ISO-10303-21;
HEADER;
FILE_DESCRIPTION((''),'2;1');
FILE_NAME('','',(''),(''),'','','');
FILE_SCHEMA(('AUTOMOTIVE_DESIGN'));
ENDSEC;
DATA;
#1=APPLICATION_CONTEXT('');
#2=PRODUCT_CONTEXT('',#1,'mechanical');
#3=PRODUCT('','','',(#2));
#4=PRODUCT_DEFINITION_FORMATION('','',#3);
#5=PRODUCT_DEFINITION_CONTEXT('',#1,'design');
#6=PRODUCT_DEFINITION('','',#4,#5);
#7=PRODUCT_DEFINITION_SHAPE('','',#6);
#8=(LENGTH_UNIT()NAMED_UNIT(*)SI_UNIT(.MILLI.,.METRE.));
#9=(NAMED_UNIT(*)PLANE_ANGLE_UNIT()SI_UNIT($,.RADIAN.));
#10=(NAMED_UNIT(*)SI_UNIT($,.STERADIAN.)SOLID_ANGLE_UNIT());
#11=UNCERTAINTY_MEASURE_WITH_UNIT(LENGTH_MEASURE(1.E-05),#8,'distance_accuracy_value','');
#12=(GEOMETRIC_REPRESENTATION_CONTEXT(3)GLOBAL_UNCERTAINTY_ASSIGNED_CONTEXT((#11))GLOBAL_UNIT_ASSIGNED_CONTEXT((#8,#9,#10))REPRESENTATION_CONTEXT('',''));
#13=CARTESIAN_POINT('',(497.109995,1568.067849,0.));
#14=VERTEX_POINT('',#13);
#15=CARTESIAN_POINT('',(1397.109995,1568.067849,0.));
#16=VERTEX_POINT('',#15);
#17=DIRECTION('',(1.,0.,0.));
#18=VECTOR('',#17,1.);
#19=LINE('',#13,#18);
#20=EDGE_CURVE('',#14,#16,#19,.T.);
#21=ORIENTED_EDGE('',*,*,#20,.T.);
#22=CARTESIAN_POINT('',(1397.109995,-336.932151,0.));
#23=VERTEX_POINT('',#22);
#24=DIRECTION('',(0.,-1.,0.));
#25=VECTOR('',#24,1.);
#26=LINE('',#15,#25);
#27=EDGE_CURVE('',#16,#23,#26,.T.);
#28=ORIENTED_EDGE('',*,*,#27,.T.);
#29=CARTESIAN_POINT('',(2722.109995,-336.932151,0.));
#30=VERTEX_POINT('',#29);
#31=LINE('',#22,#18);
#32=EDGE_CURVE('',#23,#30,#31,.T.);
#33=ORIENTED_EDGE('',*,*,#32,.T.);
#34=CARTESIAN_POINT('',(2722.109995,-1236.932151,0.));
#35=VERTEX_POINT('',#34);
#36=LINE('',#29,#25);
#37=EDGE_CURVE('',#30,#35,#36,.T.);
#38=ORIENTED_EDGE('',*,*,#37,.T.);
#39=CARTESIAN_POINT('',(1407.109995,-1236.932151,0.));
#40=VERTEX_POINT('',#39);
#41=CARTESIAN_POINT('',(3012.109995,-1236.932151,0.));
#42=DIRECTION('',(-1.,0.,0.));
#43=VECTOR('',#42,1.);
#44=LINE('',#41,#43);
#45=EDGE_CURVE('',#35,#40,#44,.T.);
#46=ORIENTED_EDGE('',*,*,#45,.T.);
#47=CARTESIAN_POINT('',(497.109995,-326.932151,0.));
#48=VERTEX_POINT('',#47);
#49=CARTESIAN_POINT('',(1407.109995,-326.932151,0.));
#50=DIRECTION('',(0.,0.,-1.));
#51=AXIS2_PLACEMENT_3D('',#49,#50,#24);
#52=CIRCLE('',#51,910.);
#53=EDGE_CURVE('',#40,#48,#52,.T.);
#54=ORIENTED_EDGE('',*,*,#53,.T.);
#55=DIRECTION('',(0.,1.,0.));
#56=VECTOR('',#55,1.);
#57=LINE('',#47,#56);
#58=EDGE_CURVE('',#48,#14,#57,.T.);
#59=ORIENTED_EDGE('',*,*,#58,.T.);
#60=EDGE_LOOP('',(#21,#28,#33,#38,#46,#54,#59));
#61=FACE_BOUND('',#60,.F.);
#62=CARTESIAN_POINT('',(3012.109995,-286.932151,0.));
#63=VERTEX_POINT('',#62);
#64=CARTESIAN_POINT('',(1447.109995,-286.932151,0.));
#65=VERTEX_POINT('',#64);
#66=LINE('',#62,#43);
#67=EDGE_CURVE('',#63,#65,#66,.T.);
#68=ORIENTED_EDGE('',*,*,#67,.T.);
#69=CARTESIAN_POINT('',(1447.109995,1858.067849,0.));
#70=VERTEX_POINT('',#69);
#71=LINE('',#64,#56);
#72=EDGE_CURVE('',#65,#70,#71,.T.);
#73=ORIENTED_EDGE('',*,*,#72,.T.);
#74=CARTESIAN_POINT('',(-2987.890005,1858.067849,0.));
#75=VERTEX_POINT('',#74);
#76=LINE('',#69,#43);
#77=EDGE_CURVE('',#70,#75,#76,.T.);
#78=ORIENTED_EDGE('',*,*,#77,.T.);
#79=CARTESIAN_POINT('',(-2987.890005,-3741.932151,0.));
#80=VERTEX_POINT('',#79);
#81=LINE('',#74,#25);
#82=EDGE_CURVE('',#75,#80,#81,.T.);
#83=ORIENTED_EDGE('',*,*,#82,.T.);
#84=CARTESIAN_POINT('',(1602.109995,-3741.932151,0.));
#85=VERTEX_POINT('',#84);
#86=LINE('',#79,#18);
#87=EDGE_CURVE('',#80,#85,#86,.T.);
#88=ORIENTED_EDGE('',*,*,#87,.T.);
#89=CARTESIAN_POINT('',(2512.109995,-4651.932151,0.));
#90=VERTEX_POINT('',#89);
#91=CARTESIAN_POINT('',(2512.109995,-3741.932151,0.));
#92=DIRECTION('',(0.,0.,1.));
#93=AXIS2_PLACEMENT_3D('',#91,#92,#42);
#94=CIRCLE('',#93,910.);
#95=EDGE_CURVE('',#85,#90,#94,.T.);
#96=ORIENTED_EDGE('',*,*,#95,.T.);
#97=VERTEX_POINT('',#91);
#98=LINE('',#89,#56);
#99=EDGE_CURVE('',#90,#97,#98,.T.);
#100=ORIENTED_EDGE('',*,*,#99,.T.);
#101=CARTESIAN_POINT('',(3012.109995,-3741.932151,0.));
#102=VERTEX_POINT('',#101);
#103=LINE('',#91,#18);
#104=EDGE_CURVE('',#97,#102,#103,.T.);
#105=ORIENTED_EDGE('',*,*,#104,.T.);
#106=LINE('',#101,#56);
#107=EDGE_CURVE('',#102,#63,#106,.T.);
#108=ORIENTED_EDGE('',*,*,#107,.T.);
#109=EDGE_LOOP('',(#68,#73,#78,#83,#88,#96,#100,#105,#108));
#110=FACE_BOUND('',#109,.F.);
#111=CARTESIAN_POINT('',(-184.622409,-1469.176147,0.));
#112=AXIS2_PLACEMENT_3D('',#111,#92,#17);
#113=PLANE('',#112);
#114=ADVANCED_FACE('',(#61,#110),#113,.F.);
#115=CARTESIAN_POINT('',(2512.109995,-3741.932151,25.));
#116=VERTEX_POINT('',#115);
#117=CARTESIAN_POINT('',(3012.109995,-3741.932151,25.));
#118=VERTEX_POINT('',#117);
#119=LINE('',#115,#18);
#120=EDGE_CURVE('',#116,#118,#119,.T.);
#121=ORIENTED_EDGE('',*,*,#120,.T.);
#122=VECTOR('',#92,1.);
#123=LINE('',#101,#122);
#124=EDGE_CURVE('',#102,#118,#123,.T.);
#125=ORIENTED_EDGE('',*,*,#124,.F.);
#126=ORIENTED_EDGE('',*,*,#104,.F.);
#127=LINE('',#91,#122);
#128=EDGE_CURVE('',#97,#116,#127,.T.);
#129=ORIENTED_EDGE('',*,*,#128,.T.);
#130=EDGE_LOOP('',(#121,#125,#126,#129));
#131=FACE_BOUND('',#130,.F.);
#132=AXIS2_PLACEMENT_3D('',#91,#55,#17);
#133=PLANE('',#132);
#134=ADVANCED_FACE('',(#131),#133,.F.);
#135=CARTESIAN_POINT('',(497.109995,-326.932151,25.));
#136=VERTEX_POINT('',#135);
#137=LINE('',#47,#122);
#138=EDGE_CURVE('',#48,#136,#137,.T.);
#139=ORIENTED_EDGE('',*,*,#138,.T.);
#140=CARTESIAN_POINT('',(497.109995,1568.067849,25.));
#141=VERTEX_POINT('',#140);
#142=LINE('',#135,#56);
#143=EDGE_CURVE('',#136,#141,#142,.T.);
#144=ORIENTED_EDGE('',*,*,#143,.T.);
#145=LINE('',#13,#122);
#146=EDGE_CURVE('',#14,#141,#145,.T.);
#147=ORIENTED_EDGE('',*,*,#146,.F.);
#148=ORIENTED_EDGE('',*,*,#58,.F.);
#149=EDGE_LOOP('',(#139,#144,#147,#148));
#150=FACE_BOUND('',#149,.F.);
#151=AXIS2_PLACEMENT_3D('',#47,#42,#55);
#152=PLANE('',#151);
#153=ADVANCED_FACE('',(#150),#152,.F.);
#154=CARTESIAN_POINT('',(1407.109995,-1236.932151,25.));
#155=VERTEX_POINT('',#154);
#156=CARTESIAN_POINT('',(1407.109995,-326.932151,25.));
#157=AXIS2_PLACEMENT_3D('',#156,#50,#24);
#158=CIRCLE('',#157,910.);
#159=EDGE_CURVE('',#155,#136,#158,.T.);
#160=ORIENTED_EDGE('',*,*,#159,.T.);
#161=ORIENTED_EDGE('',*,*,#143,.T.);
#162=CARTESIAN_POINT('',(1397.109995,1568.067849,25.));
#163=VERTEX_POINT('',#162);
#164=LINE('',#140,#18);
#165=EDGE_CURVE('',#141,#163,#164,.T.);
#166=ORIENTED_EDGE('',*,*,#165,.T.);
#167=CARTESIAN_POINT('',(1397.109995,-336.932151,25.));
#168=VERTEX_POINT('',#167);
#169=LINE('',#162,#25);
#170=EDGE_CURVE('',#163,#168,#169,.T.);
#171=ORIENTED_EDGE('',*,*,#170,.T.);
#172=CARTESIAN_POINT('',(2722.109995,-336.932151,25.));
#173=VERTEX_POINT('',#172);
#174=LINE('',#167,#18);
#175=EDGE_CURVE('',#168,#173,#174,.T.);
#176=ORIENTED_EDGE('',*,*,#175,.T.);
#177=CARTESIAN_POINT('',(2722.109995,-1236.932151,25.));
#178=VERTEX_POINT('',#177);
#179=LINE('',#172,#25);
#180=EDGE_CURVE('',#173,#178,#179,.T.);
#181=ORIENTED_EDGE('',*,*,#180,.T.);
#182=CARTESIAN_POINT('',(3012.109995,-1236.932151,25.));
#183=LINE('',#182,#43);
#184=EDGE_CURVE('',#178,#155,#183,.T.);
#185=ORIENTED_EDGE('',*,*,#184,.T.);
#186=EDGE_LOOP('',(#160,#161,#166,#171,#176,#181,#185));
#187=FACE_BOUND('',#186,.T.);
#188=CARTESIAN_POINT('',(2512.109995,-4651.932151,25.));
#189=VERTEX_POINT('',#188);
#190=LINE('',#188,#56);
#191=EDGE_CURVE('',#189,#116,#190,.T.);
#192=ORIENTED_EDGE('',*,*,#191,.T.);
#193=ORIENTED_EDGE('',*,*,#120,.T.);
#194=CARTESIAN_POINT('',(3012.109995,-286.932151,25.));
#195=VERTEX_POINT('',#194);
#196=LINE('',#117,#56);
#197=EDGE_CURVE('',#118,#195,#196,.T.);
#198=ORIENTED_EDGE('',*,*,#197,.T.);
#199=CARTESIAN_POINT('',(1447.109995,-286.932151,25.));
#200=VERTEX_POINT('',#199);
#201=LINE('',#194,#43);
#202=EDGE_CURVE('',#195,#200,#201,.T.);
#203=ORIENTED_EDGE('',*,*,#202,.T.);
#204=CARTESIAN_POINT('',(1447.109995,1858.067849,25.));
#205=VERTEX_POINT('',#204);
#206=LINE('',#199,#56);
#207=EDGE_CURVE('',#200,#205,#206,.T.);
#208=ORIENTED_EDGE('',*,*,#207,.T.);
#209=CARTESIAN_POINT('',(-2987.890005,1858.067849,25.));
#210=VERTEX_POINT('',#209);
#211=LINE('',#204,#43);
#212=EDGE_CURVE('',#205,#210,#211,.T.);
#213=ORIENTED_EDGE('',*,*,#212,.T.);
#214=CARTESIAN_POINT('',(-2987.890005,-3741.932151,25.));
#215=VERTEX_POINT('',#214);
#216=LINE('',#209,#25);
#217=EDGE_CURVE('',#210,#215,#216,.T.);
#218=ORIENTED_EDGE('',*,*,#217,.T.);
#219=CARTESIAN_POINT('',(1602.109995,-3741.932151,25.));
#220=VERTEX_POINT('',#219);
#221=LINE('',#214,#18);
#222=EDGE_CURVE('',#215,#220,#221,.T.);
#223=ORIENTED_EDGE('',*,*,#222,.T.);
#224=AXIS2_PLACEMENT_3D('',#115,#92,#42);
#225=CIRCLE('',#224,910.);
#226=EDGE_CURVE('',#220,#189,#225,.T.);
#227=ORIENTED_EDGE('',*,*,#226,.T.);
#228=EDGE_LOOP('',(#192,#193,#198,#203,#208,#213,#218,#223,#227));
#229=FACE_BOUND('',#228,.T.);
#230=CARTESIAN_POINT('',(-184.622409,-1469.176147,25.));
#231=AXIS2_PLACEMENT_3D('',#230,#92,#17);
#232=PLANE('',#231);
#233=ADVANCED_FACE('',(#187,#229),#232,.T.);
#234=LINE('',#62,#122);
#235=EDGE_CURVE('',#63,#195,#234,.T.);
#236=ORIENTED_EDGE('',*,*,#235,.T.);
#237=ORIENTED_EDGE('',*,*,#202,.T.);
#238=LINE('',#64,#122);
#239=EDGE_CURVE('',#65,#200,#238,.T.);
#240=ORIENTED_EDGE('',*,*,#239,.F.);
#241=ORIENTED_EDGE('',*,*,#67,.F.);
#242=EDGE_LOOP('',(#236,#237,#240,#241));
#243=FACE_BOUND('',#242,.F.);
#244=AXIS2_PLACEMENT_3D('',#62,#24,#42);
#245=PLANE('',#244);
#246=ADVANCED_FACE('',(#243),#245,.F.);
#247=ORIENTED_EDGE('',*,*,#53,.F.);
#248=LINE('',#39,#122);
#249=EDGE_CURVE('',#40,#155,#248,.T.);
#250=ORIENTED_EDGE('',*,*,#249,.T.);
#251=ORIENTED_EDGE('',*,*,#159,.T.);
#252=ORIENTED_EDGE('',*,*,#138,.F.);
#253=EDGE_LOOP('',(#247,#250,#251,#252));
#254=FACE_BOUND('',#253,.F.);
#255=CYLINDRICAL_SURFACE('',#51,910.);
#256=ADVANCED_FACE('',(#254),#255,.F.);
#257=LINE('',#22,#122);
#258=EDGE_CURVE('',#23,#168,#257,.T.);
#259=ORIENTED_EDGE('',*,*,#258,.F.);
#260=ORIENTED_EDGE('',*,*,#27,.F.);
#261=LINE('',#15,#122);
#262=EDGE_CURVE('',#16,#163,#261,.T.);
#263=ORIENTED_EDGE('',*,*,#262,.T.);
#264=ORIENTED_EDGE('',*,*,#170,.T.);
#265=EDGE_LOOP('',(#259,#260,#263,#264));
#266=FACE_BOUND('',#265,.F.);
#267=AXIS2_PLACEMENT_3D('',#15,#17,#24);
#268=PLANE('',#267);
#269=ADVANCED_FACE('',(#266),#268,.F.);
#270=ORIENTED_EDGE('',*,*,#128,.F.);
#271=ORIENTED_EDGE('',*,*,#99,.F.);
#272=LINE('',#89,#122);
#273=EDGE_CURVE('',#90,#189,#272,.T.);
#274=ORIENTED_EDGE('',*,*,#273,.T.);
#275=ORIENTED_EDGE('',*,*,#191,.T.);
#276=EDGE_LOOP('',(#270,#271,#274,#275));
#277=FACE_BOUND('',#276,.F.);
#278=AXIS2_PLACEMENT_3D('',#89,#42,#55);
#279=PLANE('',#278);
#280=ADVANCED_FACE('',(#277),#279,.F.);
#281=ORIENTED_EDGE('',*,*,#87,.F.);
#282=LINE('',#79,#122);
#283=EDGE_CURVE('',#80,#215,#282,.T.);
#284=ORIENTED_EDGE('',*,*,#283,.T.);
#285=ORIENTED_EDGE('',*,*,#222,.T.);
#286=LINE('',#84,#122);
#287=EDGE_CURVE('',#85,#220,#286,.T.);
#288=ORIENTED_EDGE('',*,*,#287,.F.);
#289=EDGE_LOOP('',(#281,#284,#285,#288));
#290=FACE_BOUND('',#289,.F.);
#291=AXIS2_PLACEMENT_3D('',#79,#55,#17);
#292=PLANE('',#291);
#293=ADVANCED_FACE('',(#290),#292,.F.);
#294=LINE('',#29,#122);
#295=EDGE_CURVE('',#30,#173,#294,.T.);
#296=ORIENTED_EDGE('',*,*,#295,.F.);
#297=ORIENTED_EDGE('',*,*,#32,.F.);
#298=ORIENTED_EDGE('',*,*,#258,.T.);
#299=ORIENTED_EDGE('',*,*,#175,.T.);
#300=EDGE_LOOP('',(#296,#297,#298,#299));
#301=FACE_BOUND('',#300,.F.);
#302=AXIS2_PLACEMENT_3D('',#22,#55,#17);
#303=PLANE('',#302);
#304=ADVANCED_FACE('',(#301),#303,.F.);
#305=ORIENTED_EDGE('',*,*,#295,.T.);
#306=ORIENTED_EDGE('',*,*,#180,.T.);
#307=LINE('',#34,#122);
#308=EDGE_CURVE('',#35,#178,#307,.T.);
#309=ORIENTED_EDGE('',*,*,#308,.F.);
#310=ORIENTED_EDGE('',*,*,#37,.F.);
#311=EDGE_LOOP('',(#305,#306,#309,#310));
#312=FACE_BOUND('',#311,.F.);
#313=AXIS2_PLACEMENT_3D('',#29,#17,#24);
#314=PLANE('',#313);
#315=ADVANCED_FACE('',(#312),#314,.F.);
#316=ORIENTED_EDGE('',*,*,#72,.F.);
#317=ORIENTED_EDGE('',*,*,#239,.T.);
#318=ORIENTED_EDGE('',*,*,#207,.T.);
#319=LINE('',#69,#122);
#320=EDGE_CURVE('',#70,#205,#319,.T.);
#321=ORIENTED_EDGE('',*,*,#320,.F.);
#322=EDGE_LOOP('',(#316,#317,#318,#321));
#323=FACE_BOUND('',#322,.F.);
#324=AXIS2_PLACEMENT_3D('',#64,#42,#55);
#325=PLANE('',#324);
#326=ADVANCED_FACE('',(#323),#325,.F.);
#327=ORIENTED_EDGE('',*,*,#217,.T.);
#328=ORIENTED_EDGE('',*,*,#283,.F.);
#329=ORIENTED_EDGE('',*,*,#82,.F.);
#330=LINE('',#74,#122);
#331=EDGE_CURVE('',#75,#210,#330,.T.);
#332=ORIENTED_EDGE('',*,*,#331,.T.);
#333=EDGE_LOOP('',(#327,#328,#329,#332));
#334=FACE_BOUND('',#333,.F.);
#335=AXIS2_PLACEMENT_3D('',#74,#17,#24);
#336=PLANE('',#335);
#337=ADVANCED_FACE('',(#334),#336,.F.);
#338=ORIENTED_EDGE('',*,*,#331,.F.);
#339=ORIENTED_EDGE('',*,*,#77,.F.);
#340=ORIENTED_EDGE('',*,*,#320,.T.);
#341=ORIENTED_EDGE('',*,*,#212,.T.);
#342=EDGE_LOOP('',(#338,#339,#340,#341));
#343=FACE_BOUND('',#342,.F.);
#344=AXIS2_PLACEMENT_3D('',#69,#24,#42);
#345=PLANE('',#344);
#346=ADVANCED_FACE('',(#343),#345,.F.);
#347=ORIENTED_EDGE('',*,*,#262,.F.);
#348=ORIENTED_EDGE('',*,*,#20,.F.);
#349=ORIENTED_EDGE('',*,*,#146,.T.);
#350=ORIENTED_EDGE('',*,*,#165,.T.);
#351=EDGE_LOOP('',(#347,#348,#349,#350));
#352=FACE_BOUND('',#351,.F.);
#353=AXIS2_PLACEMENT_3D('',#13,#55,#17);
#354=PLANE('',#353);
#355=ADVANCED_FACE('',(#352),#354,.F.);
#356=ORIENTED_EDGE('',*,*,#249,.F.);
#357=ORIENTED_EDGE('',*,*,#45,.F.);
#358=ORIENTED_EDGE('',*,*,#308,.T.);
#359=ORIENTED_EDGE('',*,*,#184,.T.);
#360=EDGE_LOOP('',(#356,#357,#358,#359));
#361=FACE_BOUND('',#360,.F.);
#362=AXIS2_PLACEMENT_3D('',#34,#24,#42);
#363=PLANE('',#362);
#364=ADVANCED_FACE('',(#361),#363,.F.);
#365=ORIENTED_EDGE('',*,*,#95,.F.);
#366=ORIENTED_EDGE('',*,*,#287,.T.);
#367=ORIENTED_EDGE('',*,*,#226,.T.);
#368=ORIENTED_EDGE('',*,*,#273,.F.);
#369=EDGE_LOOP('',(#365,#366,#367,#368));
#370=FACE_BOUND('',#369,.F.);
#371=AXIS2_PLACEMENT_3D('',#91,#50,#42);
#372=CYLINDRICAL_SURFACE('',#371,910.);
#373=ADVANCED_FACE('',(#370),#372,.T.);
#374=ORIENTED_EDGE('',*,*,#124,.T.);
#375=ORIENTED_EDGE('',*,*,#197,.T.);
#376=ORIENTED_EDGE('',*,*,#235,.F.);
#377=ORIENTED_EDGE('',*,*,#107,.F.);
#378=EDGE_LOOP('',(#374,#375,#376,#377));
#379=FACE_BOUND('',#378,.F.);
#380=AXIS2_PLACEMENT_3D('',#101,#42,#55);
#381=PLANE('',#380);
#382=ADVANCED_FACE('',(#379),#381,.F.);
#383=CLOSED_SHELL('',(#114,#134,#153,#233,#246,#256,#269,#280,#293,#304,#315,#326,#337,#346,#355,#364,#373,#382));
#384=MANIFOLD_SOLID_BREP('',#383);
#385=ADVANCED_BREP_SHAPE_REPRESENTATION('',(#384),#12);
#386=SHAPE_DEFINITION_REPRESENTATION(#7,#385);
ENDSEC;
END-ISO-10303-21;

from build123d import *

# Parameters (mm, degrees)
F0_W     = 450
F0_H     = 290
F0_W_2   = 290
F0_H_2   = 400
F1_DEPTH = 25


with BuildPart() as f1:
    # F0 (on Top) → F1 (new body)
    with BuildSketch(Plane.XY):
        with BuildLine():
            Line((497.109995, 1858.067849), (-2987.890005, 1858.067849))
            Line((-2987.890005, 1858.067849), (-2987.890005, -3741.932151))
            Line((-2987.890005, -3741.932151), (1602.109995, -3741.932151))
            ThreePointArc((1602.109995, -3741.932151), (1868.642824, -4385.399322), (2512.109995, -4651.932151))
            Line((2512.109995, -4651.932151), (2512.109995, -3741.932151))
            Line((2512.109995, -3741.932151), (3012.109995, -3741.932151))
            Line((3012.109995, -3741.932151), (3012.109995, -1236.932151))
            Line((3012.109995, -1236.932151), (2722.109995, -1236.932151))
            Line((2722.109995, -1236.932151), (2432.109995, -1236.932151))
            Line((2432.109995, -1236.932151), (2142.109995, -1236.932151))
            Line((2142.109995, -1236.932151), (1852.109995, -1236.932151))
            Line((1852.109995, -1236.932151), (1407.109995, -1236.932151))
            ThreePointArc((1407.109995, -1236.932151), (763.642824, -970.399322), (497.109995, -326.932151))
            Line((497.109995, -326.932151), (497.109995, 118.067849))
            Line((497.109995, 118.067849), (497.109995, 408.067849))
            Line((497.109995, 408.067849), (497.109995, 698.067849))
            Line((497.109995, 698.067849), (497.109995, 988.067849))
            Line((497.109995, 988.067849), (497.109995, 1278.067849))
            Line((497.109995, 1278.067849), (497.109995, 1568.067849))
            Line((497.109995, 1568.067849), (497.109995, 1858.067849))
        make_face()
        with Locations((722.109995, 1713.067849)):
            Rectangle(F0_W, F0_H)
        with Locations((1172.109995, 1713.067849)):
            Rectangle(F0_W, F0_H)
        Polygon((1447.109995, 1858.067849), (1397.109995, 1858.067849), (1397.109995, 1568.067849), (1397.109995, 1278.067849), (1397.109995, 988.067849), (1397.109995, 698.067849), (1397.109995, 408.067849), (1397.109995, 118.067849), (1397.109995, -336.932151), (1852.109995, -336.932151), (2142.109995, -336.932151), (2432.109995, -336.932151), (2722.109995, -336.932151), (3012.109995, -336.932151), (3012.109995, -286.932151), (1447.109995, -286.932151), align=None)
        Polygon((2722.109995, -1236.932151), (3012.109995, -1236.932151), (3012.109995, -786.932151), (3012.109995, -736.932151), (2722.109995, -736.932151), align=None)
        with Locations((2867.109995, -536.932151)):
            Rectangle(F0_W_2, F0_H_2)
    extrude(amount=F1_DEPTH)


solid = f1.part
